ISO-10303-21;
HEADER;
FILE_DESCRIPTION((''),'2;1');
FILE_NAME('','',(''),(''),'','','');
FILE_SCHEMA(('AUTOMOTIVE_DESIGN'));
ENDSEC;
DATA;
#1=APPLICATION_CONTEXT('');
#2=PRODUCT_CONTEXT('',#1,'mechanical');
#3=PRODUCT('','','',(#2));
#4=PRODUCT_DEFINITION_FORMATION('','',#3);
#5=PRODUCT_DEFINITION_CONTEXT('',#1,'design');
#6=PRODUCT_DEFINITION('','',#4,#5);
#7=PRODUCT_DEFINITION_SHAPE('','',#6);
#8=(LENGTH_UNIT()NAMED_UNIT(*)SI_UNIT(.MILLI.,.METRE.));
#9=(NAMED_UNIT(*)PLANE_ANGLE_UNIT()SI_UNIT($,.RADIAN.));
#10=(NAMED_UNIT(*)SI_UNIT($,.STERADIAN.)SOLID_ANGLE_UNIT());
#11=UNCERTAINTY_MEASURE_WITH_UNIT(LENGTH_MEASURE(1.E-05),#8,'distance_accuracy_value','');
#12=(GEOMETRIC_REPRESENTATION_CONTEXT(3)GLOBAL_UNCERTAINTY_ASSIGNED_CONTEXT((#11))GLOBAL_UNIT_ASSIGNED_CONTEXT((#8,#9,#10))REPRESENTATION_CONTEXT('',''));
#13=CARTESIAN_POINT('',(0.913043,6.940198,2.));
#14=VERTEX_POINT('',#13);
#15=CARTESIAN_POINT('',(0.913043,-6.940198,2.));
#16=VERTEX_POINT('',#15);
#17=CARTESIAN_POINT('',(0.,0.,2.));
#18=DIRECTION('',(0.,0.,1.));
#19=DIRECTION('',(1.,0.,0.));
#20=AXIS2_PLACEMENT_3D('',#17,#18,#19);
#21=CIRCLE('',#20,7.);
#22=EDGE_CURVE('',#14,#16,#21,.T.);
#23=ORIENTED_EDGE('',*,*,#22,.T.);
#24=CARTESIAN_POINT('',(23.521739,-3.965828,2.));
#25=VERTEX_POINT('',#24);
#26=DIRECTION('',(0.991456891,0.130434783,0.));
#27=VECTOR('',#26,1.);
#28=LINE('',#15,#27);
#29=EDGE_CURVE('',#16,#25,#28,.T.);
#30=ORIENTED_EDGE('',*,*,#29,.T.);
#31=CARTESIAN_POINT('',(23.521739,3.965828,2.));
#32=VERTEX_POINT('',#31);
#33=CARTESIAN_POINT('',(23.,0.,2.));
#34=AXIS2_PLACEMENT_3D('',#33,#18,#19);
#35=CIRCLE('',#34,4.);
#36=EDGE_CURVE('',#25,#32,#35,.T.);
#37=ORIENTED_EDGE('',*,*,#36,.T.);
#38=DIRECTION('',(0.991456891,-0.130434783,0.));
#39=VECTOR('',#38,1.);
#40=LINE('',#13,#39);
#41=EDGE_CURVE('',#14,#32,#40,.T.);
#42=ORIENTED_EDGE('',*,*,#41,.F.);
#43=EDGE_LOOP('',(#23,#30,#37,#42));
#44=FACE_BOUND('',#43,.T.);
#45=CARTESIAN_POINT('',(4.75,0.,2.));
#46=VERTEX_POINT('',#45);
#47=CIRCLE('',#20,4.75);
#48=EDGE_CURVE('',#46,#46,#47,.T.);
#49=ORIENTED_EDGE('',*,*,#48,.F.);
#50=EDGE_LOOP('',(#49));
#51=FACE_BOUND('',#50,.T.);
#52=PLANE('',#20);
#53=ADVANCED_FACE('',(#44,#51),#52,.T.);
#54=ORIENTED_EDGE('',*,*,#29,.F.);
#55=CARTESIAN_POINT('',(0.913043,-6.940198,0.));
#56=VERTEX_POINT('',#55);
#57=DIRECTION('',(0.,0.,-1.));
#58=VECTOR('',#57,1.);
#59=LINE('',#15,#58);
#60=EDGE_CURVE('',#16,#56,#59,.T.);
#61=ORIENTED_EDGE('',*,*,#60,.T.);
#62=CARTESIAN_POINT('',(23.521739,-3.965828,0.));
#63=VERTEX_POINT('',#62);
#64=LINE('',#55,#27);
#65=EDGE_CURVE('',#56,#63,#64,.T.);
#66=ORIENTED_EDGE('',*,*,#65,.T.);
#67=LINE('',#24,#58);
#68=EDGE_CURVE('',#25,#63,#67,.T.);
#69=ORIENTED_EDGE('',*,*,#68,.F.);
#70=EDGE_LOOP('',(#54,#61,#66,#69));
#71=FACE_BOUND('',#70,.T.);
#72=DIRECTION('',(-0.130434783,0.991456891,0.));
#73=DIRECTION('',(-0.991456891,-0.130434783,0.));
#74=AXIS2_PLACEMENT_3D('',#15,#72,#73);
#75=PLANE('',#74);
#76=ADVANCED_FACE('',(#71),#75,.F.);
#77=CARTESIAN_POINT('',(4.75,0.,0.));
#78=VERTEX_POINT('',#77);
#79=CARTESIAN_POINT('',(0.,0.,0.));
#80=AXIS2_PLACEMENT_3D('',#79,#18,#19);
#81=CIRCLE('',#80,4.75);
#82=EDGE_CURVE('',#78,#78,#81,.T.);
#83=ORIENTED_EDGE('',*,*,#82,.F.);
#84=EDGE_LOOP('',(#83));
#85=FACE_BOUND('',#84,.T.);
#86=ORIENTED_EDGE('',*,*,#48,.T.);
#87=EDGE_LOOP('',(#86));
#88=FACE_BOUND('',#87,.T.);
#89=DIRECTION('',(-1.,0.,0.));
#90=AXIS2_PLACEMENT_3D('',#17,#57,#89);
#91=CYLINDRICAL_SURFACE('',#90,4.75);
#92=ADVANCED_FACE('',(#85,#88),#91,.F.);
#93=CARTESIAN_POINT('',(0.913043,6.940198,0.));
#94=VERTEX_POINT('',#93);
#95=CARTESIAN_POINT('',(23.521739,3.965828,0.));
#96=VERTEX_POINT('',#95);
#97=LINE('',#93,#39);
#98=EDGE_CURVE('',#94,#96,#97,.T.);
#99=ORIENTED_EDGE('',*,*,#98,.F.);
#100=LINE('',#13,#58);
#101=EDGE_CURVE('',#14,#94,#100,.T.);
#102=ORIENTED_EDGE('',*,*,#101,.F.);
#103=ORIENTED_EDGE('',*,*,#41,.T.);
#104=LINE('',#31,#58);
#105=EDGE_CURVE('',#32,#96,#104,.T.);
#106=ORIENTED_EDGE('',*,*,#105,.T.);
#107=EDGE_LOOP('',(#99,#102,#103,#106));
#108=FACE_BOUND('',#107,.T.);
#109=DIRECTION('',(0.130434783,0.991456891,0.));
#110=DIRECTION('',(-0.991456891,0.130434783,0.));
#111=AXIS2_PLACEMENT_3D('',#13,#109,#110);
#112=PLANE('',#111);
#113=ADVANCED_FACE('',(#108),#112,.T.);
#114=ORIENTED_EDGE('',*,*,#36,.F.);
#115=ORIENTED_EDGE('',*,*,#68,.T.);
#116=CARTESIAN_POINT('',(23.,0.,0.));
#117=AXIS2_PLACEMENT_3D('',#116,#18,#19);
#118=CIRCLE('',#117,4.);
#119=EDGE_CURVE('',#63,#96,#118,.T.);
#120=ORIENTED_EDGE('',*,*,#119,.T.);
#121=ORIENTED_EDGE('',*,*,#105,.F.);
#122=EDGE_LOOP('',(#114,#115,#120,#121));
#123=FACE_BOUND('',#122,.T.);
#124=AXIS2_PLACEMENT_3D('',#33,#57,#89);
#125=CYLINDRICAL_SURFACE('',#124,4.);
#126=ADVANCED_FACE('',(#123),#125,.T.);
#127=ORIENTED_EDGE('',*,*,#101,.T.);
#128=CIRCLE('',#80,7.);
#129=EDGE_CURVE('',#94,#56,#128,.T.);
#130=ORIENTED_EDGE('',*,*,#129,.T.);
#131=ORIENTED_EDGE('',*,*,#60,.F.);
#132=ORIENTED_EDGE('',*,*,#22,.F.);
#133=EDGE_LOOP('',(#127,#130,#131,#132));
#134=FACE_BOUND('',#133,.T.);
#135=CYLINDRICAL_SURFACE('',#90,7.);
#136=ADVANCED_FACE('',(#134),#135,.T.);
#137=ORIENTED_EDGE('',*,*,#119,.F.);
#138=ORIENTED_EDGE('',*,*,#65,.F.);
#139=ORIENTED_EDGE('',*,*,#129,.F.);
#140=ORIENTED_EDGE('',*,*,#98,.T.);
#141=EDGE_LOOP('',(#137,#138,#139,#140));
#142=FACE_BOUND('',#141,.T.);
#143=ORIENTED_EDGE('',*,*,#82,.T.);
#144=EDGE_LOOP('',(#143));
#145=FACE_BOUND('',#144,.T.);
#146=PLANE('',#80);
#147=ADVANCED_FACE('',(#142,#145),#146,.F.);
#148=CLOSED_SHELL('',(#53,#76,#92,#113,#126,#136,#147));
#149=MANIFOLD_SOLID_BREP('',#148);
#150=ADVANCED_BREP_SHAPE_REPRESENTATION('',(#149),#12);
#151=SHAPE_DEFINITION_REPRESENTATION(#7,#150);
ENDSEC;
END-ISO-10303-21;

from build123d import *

# Parameters (mm, degrees)
SKETCH5_R           = 4.75
BOSS_EXTRUDE1_DEPTH = 2


with BuildPart() as part:
    # Sketch5 → Boss-Extrude1 (new body)
    with BuildSketch(Plane.XY):
        with BuildLine():
            Line((23.52173913, 3.965827566), (0.913043478, 6.94019824))
            ThreePointArc((0.913043478, 6.94019824), (-7, 0), (0.913043478, -6.94019824))
            Line((0.913043478, -6.94019824), (23.52173913, -3.965827566))
            ThreePointArc((23.52173913, -3.965827566), (27, 0), (23.52173913, 3.965827566))
        make_face()
        Circle(SKETCH5_R, mode=Mode.SUBTRACT)
    extrude(amount=BOSS_EXTRUDE1_DEPTH)


solid = part.part
